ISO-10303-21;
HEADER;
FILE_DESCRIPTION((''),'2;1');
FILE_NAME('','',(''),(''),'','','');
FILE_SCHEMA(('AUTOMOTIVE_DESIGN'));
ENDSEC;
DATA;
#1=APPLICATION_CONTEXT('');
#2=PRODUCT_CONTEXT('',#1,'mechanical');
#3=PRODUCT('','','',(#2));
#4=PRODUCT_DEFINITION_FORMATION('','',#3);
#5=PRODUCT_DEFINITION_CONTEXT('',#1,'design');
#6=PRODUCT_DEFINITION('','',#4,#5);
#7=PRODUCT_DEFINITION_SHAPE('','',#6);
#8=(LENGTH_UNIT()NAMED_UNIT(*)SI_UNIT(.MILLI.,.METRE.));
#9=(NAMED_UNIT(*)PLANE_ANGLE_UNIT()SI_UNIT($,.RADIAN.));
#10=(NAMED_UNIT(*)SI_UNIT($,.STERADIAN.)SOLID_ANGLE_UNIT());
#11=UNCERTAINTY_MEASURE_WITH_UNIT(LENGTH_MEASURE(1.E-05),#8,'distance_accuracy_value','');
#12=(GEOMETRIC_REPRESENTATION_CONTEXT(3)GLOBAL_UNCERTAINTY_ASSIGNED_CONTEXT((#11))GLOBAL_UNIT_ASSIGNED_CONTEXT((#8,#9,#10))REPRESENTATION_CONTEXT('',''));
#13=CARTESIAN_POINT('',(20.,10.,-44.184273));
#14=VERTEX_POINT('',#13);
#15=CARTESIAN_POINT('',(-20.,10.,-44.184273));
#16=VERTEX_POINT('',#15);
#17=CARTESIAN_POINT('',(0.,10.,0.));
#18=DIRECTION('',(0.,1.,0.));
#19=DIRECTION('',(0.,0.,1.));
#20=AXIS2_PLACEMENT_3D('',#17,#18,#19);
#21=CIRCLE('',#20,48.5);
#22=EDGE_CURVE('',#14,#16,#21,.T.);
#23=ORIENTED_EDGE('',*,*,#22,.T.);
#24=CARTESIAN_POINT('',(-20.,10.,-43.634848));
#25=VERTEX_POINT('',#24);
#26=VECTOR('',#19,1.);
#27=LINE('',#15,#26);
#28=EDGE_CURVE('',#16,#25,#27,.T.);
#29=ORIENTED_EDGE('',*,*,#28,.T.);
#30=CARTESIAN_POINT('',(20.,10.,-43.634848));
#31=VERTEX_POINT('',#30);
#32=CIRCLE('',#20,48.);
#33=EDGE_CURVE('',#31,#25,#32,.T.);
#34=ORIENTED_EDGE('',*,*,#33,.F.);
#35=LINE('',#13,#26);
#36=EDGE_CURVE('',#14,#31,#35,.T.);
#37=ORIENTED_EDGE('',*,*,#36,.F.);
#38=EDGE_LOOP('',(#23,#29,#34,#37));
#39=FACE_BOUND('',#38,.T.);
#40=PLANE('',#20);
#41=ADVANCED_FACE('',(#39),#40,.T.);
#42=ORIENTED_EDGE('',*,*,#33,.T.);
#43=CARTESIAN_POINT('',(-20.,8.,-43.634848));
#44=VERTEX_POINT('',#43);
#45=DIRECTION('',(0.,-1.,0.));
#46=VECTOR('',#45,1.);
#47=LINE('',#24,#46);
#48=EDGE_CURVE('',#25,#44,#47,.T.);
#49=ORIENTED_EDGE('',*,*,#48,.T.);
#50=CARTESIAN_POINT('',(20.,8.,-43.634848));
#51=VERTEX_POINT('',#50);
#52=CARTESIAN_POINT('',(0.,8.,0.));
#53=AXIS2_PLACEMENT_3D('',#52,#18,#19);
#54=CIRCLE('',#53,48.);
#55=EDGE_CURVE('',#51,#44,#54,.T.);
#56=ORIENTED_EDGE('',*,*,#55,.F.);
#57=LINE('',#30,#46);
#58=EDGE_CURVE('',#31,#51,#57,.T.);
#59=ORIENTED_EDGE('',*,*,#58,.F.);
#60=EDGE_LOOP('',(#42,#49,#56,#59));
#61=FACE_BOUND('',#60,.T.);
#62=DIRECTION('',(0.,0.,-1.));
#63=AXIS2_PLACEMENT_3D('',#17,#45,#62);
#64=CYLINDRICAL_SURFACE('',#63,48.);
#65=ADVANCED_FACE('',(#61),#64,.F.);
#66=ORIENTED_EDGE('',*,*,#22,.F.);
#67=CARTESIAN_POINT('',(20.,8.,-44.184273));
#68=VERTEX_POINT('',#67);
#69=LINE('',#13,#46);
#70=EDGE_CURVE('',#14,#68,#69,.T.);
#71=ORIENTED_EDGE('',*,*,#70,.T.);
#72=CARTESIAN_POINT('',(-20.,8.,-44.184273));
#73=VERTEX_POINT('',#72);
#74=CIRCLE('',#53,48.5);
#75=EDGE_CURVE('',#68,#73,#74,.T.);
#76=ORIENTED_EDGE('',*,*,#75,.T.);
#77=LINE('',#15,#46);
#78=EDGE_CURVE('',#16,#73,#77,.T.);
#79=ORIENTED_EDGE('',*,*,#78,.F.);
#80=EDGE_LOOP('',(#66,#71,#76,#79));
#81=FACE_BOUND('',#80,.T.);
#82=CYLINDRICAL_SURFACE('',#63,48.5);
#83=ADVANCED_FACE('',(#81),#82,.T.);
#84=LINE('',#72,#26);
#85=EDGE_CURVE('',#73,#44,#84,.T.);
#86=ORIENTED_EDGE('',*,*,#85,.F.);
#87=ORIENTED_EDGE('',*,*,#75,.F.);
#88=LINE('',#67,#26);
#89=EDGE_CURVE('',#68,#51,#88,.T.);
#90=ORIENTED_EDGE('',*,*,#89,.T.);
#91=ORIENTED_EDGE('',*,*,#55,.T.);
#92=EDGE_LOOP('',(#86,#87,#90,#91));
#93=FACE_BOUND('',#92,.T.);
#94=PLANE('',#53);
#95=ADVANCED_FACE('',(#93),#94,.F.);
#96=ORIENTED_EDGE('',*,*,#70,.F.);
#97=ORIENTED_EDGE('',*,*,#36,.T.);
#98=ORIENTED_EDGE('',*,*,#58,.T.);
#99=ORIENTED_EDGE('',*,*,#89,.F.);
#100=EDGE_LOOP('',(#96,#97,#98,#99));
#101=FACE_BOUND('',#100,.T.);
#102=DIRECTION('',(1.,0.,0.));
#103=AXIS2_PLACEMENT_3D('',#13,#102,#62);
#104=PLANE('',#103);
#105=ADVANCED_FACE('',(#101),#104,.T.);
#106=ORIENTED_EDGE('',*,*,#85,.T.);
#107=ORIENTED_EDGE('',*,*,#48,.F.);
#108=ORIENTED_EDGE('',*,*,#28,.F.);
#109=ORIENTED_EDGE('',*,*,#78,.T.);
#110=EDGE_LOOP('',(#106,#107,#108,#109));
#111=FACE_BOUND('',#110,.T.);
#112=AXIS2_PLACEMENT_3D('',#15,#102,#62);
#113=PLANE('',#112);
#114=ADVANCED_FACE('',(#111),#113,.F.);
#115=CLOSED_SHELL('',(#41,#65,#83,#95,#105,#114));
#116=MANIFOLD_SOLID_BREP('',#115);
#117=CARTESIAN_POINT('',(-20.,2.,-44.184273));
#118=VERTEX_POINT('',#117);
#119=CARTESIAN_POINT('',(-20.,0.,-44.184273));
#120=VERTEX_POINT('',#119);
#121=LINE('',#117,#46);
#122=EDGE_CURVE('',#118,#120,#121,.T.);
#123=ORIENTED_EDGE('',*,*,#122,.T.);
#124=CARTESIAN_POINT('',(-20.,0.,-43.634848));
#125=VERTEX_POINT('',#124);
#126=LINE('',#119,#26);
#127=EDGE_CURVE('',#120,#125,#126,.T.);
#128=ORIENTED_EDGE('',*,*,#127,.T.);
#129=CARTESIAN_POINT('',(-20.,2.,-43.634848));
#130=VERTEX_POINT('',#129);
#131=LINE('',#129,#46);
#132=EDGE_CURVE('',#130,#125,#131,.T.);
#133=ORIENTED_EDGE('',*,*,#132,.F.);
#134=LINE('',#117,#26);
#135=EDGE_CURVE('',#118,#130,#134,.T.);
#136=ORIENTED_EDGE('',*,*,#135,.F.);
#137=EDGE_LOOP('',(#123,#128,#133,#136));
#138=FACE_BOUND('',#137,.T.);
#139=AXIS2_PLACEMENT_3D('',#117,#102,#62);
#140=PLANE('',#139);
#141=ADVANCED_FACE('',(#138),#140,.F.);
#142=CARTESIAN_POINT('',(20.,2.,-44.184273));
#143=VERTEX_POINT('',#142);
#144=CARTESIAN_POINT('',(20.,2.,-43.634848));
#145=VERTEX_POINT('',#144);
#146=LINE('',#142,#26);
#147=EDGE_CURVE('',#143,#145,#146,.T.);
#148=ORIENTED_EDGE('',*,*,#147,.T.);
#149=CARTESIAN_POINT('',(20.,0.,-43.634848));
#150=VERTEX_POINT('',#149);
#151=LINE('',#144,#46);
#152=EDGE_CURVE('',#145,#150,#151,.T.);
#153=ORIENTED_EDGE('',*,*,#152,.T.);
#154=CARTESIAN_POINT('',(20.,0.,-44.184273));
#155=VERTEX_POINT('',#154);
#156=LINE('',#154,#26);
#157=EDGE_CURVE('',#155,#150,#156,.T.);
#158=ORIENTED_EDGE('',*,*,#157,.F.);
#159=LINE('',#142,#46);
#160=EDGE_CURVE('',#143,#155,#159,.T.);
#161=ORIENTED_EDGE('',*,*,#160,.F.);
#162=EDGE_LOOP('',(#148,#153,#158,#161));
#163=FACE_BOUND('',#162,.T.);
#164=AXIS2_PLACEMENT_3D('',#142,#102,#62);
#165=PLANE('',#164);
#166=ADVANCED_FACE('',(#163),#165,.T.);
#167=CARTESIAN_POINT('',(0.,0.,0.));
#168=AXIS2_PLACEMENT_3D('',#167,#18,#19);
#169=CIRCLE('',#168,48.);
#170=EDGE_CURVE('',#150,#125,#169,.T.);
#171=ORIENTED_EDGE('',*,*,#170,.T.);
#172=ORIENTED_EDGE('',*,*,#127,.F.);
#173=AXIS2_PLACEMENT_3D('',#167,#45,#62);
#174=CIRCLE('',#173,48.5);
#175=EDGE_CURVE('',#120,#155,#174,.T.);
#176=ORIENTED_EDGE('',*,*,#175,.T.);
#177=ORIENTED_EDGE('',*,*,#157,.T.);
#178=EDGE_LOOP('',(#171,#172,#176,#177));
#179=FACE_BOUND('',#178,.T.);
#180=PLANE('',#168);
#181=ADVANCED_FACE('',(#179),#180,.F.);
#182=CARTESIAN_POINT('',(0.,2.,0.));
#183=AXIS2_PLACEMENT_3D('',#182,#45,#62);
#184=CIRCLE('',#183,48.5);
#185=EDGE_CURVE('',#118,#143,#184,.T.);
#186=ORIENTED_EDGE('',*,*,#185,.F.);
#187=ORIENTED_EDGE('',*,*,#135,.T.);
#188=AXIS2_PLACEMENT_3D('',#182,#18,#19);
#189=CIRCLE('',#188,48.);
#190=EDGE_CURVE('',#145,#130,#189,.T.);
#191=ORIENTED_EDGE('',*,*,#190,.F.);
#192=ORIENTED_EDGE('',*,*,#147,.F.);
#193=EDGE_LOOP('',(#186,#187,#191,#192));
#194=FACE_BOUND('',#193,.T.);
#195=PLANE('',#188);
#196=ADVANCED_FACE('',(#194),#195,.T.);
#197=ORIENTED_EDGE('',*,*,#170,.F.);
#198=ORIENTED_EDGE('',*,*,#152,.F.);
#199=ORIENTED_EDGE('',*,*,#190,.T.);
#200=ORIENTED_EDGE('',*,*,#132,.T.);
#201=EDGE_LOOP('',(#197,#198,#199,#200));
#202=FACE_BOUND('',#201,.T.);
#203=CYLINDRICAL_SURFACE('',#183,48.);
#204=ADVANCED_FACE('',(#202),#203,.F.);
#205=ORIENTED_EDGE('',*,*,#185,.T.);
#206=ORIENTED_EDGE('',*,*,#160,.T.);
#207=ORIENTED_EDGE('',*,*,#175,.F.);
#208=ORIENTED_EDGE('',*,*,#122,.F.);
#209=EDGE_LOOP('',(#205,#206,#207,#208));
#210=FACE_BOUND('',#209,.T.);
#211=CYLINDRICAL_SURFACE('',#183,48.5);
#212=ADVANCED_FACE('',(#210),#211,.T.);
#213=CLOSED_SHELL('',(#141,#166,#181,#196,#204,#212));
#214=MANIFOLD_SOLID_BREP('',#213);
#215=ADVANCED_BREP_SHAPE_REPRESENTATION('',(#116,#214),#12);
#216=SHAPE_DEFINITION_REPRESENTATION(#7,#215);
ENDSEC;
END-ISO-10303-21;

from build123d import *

# Parameters (mm, degrees)
BOSS_EXTRUDE1_DEPTH = 2
BOSS_EXTRUDE2_DEPTH = 2


with BuildPart() as part:
    # Sketch9 → Boss-Extrude1 (new body)
    with BuildSketch(Plane(origin=(0, 0, 0), x_dir=(1, 0, 0), z_dir=(0, 1, 0))):
        with BuildLine():
            Line((-20, 44.18427322), (-20, 43.634848459))
            ThreePointArc((-20, 43.634848459), (0, 48), (20, 43.634848459))
            Line((20, 43.634848459), (20, 44.18427322))
            ThreePointArc((20, 44.18427322), (0, 48.5), (-20, 44.18427322))
        make_face()
    extrude(amount=BOSS_EXTRUDE1_DEPTH)


with BuildPart() as body_2:
    # Sketch11 → Boss-Extrude2 (new body)
    with BuildSketch(Plane(origin=(0, 8, 0), x_dir=(1, 0, 0), z_dir=(0, 1, 0))):
        with BuildLine():
            Line((20, 44.18427322), (20, 43.634848459))
            ThreePointArc((20, 43.634848459), (0, 48), (-20, 43.634848459))
            Line((-20, 43.634848459), (-20, 44.18427322))
            ThreePointArc((-20, 44.18427322), (0, 48.5), (20, 44.18427322))
        make_face()
    extrude(amount=BOSS_EXTRUDE2_DEPTH)


solid = Compound([part.part, body_2.part])
